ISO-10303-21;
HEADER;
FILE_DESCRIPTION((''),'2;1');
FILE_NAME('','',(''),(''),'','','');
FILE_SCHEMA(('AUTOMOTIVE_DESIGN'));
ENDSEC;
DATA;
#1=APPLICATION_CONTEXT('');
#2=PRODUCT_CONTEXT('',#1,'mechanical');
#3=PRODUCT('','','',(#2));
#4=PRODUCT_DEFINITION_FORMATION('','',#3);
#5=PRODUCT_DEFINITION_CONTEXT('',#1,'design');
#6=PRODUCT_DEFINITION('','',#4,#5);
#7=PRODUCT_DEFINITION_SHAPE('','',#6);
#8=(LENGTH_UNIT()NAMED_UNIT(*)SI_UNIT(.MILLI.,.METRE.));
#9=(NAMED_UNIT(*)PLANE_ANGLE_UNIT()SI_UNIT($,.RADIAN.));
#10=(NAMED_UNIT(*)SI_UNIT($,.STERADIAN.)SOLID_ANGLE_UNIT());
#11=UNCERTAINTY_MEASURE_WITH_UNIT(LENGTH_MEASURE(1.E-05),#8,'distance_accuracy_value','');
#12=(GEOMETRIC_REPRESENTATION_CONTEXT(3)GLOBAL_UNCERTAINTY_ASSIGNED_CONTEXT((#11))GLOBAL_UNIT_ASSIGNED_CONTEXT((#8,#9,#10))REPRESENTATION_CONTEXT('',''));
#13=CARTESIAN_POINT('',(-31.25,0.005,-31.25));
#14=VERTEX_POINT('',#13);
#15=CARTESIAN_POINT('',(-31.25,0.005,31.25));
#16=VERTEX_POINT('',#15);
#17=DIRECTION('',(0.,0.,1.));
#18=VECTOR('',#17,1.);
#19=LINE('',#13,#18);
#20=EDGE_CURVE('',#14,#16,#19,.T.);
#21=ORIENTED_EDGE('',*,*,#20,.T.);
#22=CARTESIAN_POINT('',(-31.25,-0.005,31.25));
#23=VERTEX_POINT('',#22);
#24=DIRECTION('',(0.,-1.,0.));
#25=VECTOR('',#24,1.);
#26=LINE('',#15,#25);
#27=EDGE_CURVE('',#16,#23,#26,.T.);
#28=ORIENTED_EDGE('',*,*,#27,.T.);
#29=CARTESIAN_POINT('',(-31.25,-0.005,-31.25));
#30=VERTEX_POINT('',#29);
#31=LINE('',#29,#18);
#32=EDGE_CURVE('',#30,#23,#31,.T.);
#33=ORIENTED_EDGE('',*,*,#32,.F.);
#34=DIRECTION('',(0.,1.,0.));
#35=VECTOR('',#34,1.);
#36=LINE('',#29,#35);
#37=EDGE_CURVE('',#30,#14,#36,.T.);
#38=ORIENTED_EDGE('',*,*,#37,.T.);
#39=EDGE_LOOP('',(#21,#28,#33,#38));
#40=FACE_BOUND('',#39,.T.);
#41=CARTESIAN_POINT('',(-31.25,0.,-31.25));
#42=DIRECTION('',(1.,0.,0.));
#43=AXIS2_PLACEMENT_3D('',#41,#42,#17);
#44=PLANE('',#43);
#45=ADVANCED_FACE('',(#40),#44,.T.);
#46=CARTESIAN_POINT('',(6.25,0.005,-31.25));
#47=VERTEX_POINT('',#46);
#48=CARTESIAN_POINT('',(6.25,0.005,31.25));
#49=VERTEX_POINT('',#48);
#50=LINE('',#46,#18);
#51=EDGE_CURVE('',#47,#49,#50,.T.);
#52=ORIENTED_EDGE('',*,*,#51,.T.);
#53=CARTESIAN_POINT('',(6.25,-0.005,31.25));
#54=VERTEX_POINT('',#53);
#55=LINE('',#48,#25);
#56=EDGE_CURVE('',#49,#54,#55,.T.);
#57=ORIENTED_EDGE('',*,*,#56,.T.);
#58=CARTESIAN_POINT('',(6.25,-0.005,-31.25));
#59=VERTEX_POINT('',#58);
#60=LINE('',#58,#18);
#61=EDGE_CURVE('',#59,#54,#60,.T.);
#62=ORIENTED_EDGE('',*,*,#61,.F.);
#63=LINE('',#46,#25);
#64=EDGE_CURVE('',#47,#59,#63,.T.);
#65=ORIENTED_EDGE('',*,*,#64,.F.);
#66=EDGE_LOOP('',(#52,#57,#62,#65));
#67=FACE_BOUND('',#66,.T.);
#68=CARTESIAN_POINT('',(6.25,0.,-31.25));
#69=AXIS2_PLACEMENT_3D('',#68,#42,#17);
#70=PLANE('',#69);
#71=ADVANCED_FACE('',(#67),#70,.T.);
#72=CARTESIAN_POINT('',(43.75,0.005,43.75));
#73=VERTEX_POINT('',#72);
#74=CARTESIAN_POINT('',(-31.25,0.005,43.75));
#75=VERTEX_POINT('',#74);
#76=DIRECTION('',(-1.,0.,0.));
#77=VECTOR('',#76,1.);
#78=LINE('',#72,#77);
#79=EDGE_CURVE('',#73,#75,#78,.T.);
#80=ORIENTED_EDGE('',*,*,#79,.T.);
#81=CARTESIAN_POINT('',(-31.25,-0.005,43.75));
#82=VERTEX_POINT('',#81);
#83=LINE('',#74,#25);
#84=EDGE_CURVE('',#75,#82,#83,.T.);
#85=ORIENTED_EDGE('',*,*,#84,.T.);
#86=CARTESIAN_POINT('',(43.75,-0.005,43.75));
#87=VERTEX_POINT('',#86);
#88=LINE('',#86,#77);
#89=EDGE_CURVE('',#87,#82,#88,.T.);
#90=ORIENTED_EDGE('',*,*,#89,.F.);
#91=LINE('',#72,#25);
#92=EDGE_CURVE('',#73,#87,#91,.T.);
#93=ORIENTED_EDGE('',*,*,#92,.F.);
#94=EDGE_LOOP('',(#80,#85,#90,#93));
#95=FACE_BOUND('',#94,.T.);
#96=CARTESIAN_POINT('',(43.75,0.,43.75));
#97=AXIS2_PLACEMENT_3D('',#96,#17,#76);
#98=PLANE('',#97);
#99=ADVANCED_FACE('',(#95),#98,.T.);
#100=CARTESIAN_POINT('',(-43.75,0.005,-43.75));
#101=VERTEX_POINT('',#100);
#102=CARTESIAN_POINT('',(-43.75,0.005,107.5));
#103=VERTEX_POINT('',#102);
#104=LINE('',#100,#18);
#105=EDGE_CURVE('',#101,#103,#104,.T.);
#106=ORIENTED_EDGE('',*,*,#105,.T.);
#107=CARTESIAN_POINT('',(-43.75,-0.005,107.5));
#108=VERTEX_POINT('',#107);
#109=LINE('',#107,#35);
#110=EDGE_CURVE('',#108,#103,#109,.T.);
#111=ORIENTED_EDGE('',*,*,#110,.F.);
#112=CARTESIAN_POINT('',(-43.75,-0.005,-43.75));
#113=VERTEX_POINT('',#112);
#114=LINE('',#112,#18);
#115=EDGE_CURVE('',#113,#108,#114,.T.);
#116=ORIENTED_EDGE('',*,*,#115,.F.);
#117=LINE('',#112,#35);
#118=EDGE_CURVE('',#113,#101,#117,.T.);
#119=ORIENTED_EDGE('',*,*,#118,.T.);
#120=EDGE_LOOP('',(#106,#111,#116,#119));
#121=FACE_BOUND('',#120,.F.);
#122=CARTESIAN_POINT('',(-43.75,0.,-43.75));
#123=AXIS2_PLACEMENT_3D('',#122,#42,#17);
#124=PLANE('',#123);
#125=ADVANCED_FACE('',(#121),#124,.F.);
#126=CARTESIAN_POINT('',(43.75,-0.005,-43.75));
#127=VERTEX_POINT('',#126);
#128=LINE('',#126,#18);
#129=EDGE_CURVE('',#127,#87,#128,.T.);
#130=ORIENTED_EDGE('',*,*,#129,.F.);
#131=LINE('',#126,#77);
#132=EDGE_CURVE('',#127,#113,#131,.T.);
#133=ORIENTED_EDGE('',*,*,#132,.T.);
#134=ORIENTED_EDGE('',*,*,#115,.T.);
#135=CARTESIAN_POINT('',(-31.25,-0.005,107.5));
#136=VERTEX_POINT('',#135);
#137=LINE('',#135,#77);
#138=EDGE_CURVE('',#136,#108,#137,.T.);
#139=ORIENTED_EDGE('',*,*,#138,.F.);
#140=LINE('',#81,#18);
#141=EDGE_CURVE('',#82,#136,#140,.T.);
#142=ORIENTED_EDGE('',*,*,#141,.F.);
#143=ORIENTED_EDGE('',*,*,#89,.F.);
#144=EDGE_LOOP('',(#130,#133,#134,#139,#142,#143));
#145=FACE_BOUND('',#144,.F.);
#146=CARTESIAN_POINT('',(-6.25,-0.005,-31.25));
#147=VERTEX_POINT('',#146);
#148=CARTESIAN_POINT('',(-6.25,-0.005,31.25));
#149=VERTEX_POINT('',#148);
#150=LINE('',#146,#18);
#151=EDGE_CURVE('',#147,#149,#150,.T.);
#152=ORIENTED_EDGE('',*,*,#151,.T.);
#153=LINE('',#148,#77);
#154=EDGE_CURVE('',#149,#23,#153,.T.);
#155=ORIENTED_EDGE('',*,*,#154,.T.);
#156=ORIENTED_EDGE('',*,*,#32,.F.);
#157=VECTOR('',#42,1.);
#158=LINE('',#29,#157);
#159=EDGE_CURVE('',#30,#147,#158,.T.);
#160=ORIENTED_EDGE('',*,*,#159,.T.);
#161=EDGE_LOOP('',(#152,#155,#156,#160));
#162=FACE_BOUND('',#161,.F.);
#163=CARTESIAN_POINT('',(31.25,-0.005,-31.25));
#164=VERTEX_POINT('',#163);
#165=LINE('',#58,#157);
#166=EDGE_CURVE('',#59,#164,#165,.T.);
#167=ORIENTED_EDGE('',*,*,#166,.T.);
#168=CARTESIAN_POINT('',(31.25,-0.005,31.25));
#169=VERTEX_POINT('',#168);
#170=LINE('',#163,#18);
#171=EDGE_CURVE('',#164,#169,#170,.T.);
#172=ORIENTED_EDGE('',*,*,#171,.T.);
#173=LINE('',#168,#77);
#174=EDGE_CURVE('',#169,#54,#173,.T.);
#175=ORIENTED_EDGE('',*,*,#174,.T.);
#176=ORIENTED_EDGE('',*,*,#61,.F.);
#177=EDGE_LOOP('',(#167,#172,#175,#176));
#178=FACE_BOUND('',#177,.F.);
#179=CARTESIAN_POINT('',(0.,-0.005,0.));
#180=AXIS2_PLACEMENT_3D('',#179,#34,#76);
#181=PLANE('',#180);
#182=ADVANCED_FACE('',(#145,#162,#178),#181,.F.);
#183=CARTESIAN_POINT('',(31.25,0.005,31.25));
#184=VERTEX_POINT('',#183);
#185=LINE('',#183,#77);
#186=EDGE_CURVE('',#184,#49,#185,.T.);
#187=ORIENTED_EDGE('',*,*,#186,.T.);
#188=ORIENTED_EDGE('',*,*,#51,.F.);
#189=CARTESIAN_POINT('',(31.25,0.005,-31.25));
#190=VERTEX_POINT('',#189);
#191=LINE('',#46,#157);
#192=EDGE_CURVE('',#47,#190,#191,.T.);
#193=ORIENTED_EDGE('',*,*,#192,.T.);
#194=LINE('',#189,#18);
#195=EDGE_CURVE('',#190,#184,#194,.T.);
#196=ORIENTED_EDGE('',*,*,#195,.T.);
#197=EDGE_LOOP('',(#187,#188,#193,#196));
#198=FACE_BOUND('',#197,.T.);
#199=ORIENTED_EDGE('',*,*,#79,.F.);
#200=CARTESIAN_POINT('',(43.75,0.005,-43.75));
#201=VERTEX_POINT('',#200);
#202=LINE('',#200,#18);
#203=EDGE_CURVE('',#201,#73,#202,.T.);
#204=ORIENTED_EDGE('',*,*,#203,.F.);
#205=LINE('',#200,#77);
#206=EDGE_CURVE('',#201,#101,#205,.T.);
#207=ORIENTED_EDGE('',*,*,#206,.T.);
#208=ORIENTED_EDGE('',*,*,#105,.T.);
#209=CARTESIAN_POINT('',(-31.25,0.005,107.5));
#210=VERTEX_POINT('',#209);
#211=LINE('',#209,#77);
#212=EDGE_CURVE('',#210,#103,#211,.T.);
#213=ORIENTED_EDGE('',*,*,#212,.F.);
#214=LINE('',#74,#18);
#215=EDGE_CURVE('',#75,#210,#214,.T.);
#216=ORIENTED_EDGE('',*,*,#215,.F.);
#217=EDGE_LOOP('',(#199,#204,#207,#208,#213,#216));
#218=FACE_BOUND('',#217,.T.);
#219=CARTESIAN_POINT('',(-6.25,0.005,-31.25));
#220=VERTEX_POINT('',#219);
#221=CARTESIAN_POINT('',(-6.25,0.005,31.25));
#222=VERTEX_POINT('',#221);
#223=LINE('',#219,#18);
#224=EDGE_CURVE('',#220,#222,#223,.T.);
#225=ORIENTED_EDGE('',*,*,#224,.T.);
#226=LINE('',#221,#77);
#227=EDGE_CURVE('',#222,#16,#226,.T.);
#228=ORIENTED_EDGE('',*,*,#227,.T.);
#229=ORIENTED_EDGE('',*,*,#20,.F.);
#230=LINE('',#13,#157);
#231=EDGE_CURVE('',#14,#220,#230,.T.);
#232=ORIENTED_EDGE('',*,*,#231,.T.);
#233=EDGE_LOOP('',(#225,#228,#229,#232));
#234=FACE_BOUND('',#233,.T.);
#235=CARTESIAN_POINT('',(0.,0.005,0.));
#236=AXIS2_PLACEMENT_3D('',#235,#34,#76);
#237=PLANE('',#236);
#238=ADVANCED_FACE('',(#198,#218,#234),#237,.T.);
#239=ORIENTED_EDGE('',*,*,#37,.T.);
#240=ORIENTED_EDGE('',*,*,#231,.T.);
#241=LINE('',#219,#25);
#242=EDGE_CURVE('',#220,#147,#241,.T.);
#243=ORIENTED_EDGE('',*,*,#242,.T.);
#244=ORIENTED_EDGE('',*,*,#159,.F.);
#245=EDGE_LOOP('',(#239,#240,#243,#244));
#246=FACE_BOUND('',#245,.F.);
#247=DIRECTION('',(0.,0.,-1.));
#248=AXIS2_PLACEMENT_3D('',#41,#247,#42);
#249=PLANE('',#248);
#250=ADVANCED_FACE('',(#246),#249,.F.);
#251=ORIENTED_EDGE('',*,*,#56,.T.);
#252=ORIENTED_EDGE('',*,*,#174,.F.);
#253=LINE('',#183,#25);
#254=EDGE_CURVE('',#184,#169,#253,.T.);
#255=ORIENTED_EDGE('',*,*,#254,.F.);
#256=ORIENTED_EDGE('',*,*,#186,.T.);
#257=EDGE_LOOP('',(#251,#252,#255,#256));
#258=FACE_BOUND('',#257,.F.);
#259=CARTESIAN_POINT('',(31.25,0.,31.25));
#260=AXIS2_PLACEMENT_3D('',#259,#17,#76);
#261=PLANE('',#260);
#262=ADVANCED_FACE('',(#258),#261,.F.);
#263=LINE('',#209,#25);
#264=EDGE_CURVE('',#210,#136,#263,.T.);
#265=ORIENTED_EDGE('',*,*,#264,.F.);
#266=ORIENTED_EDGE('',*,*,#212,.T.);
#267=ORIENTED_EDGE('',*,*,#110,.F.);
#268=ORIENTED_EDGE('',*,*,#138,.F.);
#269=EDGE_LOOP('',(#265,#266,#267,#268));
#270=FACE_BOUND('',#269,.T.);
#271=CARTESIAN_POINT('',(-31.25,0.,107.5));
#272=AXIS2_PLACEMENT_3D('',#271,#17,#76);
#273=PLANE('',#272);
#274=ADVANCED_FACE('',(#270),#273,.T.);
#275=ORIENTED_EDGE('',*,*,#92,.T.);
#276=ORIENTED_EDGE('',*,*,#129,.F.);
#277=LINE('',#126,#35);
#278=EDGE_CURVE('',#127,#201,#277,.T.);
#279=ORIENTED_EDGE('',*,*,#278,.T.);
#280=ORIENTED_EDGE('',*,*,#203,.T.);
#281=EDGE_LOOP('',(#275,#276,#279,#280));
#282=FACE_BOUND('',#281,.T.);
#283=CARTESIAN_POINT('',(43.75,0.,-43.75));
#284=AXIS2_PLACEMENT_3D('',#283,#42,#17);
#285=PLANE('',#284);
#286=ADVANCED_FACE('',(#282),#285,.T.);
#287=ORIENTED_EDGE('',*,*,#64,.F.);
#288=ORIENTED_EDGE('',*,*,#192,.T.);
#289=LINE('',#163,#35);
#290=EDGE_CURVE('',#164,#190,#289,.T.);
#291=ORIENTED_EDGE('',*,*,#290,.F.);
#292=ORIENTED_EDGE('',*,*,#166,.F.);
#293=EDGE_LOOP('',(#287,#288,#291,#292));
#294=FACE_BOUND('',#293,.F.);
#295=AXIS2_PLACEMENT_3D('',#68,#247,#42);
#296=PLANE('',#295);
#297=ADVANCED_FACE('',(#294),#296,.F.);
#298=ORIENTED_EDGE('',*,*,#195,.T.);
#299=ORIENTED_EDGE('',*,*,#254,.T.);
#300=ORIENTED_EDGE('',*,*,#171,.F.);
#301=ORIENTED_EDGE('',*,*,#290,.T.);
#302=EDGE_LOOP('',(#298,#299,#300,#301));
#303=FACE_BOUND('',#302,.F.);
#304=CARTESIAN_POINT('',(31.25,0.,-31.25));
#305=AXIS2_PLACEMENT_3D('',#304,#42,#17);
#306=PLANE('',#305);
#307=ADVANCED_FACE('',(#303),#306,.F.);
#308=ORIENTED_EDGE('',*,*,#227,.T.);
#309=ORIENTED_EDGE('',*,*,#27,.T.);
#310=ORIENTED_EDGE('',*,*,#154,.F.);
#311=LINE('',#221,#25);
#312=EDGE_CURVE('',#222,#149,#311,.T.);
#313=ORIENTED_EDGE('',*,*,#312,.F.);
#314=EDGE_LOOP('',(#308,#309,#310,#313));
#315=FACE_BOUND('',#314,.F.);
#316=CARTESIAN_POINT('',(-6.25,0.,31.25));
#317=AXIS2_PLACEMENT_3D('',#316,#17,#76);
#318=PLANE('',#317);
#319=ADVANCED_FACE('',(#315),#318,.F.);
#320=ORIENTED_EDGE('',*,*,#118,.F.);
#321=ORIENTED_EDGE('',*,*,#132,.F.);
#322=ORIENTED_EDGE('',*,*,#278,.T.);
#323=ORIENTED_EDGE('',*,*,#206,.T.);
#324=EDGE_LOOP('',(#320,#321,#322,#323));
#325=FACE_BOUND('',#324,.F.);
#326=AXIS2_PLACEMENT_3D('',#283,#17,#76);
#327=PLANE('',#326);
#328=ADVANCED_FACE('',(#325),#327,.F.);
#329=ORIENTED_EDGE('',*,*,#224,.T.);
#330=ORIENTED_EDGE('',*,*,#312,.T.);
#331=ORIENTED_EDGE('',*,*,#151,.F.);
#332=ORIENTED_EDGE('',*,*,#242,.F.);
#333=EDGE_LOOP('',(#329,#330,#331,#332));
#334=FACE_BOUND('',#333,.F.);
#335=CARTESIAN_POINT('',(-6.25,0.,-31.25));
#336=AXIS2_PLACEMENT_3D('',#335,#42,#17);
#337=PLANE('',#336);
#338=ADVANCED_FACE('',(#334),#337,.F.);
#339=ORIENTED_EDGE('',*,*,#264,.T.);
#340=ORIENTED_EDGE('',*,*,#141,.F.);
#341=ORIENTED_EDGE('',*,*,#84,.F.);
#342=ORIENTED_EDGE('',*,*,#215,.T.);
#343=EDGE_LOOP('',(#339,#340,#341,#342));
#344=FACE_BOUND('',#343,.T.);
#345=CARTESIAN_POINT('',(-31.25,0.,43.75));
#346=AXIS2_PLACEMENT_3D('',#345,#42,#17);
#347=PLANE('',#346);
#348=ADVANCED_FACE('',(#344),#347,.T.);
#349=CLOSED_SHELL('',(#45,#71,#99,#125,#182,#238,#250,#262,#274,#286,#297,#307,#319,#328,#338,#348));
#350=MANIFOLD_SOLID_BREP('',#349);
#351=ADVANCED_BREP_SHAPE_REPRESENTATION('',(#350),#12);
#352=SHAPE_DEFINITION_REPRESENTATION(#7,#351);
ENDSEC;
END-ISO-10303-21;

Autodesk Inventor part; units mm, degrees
ref_plane "YZ Plane" through (0, 0, 0) normal (1, 0, 0) x (0, 1, 0)
ref_plane "XZ Plane" through (0, 0, 0) normal (0, 1, 0) x (-1, 0, 0)
ref_plane "XY Plane" through (0, 0, 0) normal (0, 0, 1) x (1, 0, 0)
sketch "Sketch1" plane through (0, 0, 0) normal (0, 1, 0) x (-1, 0, 0)
  line L0 (-43.75, -43.75) -> (-43.75, 43.75)
  line L1 (-31.25, -31.25) -> (-31.25, 31.25)
  line L2 (43.75, -43.75) -> (43.75, 107.5)
  line L3 (31.25, -31.25) -> (31.25, 31.25)
  line L4 (6.25, -31.25) -> (6.25, 31.25)
  line L5 (-6.25, -31.25) -> (-6.25, 31.25)
  line L6 (31.25, -31.25) -> (6.25, -31.25)
  line L7 (-6.25, -31.25) -> (-31.25, -31.25)
  line L8 (-31.25, 31.25) -> (-6.25, 31.25)
  line L9 (6.25, 31.25) -> (31.25, 31.25)
  line L10 (31.25, 43.75) -> (31.25, 107.5)
  line L11 (31.25, 107.5) -> (43.75, 107.5)
  line L12 (-43.75, 43.75) -> (31.25, 43.75)
  line L13 (-43.75, -43.75) -> (43.75, -43.75)
  line L14 (0, -43.75) -> (0, 43.75) construction
  line L15 (-43.75, 0) -> (43.75, 0) construction
  circle A0 centre (0, 0) radius 75 construction
  point P0 (0, 0)
  dimension "d25" = 12.5
  dimension "d27" = 12.5
  dimension "d28" = 25
  dimension "d29" = 12.5
  dimension "d30" = 107.5
extrude "Extrusion1" add sketch "Sketch1" along normal mid plane 0.01
properties part number "Circle_Copper" material "Copper"
